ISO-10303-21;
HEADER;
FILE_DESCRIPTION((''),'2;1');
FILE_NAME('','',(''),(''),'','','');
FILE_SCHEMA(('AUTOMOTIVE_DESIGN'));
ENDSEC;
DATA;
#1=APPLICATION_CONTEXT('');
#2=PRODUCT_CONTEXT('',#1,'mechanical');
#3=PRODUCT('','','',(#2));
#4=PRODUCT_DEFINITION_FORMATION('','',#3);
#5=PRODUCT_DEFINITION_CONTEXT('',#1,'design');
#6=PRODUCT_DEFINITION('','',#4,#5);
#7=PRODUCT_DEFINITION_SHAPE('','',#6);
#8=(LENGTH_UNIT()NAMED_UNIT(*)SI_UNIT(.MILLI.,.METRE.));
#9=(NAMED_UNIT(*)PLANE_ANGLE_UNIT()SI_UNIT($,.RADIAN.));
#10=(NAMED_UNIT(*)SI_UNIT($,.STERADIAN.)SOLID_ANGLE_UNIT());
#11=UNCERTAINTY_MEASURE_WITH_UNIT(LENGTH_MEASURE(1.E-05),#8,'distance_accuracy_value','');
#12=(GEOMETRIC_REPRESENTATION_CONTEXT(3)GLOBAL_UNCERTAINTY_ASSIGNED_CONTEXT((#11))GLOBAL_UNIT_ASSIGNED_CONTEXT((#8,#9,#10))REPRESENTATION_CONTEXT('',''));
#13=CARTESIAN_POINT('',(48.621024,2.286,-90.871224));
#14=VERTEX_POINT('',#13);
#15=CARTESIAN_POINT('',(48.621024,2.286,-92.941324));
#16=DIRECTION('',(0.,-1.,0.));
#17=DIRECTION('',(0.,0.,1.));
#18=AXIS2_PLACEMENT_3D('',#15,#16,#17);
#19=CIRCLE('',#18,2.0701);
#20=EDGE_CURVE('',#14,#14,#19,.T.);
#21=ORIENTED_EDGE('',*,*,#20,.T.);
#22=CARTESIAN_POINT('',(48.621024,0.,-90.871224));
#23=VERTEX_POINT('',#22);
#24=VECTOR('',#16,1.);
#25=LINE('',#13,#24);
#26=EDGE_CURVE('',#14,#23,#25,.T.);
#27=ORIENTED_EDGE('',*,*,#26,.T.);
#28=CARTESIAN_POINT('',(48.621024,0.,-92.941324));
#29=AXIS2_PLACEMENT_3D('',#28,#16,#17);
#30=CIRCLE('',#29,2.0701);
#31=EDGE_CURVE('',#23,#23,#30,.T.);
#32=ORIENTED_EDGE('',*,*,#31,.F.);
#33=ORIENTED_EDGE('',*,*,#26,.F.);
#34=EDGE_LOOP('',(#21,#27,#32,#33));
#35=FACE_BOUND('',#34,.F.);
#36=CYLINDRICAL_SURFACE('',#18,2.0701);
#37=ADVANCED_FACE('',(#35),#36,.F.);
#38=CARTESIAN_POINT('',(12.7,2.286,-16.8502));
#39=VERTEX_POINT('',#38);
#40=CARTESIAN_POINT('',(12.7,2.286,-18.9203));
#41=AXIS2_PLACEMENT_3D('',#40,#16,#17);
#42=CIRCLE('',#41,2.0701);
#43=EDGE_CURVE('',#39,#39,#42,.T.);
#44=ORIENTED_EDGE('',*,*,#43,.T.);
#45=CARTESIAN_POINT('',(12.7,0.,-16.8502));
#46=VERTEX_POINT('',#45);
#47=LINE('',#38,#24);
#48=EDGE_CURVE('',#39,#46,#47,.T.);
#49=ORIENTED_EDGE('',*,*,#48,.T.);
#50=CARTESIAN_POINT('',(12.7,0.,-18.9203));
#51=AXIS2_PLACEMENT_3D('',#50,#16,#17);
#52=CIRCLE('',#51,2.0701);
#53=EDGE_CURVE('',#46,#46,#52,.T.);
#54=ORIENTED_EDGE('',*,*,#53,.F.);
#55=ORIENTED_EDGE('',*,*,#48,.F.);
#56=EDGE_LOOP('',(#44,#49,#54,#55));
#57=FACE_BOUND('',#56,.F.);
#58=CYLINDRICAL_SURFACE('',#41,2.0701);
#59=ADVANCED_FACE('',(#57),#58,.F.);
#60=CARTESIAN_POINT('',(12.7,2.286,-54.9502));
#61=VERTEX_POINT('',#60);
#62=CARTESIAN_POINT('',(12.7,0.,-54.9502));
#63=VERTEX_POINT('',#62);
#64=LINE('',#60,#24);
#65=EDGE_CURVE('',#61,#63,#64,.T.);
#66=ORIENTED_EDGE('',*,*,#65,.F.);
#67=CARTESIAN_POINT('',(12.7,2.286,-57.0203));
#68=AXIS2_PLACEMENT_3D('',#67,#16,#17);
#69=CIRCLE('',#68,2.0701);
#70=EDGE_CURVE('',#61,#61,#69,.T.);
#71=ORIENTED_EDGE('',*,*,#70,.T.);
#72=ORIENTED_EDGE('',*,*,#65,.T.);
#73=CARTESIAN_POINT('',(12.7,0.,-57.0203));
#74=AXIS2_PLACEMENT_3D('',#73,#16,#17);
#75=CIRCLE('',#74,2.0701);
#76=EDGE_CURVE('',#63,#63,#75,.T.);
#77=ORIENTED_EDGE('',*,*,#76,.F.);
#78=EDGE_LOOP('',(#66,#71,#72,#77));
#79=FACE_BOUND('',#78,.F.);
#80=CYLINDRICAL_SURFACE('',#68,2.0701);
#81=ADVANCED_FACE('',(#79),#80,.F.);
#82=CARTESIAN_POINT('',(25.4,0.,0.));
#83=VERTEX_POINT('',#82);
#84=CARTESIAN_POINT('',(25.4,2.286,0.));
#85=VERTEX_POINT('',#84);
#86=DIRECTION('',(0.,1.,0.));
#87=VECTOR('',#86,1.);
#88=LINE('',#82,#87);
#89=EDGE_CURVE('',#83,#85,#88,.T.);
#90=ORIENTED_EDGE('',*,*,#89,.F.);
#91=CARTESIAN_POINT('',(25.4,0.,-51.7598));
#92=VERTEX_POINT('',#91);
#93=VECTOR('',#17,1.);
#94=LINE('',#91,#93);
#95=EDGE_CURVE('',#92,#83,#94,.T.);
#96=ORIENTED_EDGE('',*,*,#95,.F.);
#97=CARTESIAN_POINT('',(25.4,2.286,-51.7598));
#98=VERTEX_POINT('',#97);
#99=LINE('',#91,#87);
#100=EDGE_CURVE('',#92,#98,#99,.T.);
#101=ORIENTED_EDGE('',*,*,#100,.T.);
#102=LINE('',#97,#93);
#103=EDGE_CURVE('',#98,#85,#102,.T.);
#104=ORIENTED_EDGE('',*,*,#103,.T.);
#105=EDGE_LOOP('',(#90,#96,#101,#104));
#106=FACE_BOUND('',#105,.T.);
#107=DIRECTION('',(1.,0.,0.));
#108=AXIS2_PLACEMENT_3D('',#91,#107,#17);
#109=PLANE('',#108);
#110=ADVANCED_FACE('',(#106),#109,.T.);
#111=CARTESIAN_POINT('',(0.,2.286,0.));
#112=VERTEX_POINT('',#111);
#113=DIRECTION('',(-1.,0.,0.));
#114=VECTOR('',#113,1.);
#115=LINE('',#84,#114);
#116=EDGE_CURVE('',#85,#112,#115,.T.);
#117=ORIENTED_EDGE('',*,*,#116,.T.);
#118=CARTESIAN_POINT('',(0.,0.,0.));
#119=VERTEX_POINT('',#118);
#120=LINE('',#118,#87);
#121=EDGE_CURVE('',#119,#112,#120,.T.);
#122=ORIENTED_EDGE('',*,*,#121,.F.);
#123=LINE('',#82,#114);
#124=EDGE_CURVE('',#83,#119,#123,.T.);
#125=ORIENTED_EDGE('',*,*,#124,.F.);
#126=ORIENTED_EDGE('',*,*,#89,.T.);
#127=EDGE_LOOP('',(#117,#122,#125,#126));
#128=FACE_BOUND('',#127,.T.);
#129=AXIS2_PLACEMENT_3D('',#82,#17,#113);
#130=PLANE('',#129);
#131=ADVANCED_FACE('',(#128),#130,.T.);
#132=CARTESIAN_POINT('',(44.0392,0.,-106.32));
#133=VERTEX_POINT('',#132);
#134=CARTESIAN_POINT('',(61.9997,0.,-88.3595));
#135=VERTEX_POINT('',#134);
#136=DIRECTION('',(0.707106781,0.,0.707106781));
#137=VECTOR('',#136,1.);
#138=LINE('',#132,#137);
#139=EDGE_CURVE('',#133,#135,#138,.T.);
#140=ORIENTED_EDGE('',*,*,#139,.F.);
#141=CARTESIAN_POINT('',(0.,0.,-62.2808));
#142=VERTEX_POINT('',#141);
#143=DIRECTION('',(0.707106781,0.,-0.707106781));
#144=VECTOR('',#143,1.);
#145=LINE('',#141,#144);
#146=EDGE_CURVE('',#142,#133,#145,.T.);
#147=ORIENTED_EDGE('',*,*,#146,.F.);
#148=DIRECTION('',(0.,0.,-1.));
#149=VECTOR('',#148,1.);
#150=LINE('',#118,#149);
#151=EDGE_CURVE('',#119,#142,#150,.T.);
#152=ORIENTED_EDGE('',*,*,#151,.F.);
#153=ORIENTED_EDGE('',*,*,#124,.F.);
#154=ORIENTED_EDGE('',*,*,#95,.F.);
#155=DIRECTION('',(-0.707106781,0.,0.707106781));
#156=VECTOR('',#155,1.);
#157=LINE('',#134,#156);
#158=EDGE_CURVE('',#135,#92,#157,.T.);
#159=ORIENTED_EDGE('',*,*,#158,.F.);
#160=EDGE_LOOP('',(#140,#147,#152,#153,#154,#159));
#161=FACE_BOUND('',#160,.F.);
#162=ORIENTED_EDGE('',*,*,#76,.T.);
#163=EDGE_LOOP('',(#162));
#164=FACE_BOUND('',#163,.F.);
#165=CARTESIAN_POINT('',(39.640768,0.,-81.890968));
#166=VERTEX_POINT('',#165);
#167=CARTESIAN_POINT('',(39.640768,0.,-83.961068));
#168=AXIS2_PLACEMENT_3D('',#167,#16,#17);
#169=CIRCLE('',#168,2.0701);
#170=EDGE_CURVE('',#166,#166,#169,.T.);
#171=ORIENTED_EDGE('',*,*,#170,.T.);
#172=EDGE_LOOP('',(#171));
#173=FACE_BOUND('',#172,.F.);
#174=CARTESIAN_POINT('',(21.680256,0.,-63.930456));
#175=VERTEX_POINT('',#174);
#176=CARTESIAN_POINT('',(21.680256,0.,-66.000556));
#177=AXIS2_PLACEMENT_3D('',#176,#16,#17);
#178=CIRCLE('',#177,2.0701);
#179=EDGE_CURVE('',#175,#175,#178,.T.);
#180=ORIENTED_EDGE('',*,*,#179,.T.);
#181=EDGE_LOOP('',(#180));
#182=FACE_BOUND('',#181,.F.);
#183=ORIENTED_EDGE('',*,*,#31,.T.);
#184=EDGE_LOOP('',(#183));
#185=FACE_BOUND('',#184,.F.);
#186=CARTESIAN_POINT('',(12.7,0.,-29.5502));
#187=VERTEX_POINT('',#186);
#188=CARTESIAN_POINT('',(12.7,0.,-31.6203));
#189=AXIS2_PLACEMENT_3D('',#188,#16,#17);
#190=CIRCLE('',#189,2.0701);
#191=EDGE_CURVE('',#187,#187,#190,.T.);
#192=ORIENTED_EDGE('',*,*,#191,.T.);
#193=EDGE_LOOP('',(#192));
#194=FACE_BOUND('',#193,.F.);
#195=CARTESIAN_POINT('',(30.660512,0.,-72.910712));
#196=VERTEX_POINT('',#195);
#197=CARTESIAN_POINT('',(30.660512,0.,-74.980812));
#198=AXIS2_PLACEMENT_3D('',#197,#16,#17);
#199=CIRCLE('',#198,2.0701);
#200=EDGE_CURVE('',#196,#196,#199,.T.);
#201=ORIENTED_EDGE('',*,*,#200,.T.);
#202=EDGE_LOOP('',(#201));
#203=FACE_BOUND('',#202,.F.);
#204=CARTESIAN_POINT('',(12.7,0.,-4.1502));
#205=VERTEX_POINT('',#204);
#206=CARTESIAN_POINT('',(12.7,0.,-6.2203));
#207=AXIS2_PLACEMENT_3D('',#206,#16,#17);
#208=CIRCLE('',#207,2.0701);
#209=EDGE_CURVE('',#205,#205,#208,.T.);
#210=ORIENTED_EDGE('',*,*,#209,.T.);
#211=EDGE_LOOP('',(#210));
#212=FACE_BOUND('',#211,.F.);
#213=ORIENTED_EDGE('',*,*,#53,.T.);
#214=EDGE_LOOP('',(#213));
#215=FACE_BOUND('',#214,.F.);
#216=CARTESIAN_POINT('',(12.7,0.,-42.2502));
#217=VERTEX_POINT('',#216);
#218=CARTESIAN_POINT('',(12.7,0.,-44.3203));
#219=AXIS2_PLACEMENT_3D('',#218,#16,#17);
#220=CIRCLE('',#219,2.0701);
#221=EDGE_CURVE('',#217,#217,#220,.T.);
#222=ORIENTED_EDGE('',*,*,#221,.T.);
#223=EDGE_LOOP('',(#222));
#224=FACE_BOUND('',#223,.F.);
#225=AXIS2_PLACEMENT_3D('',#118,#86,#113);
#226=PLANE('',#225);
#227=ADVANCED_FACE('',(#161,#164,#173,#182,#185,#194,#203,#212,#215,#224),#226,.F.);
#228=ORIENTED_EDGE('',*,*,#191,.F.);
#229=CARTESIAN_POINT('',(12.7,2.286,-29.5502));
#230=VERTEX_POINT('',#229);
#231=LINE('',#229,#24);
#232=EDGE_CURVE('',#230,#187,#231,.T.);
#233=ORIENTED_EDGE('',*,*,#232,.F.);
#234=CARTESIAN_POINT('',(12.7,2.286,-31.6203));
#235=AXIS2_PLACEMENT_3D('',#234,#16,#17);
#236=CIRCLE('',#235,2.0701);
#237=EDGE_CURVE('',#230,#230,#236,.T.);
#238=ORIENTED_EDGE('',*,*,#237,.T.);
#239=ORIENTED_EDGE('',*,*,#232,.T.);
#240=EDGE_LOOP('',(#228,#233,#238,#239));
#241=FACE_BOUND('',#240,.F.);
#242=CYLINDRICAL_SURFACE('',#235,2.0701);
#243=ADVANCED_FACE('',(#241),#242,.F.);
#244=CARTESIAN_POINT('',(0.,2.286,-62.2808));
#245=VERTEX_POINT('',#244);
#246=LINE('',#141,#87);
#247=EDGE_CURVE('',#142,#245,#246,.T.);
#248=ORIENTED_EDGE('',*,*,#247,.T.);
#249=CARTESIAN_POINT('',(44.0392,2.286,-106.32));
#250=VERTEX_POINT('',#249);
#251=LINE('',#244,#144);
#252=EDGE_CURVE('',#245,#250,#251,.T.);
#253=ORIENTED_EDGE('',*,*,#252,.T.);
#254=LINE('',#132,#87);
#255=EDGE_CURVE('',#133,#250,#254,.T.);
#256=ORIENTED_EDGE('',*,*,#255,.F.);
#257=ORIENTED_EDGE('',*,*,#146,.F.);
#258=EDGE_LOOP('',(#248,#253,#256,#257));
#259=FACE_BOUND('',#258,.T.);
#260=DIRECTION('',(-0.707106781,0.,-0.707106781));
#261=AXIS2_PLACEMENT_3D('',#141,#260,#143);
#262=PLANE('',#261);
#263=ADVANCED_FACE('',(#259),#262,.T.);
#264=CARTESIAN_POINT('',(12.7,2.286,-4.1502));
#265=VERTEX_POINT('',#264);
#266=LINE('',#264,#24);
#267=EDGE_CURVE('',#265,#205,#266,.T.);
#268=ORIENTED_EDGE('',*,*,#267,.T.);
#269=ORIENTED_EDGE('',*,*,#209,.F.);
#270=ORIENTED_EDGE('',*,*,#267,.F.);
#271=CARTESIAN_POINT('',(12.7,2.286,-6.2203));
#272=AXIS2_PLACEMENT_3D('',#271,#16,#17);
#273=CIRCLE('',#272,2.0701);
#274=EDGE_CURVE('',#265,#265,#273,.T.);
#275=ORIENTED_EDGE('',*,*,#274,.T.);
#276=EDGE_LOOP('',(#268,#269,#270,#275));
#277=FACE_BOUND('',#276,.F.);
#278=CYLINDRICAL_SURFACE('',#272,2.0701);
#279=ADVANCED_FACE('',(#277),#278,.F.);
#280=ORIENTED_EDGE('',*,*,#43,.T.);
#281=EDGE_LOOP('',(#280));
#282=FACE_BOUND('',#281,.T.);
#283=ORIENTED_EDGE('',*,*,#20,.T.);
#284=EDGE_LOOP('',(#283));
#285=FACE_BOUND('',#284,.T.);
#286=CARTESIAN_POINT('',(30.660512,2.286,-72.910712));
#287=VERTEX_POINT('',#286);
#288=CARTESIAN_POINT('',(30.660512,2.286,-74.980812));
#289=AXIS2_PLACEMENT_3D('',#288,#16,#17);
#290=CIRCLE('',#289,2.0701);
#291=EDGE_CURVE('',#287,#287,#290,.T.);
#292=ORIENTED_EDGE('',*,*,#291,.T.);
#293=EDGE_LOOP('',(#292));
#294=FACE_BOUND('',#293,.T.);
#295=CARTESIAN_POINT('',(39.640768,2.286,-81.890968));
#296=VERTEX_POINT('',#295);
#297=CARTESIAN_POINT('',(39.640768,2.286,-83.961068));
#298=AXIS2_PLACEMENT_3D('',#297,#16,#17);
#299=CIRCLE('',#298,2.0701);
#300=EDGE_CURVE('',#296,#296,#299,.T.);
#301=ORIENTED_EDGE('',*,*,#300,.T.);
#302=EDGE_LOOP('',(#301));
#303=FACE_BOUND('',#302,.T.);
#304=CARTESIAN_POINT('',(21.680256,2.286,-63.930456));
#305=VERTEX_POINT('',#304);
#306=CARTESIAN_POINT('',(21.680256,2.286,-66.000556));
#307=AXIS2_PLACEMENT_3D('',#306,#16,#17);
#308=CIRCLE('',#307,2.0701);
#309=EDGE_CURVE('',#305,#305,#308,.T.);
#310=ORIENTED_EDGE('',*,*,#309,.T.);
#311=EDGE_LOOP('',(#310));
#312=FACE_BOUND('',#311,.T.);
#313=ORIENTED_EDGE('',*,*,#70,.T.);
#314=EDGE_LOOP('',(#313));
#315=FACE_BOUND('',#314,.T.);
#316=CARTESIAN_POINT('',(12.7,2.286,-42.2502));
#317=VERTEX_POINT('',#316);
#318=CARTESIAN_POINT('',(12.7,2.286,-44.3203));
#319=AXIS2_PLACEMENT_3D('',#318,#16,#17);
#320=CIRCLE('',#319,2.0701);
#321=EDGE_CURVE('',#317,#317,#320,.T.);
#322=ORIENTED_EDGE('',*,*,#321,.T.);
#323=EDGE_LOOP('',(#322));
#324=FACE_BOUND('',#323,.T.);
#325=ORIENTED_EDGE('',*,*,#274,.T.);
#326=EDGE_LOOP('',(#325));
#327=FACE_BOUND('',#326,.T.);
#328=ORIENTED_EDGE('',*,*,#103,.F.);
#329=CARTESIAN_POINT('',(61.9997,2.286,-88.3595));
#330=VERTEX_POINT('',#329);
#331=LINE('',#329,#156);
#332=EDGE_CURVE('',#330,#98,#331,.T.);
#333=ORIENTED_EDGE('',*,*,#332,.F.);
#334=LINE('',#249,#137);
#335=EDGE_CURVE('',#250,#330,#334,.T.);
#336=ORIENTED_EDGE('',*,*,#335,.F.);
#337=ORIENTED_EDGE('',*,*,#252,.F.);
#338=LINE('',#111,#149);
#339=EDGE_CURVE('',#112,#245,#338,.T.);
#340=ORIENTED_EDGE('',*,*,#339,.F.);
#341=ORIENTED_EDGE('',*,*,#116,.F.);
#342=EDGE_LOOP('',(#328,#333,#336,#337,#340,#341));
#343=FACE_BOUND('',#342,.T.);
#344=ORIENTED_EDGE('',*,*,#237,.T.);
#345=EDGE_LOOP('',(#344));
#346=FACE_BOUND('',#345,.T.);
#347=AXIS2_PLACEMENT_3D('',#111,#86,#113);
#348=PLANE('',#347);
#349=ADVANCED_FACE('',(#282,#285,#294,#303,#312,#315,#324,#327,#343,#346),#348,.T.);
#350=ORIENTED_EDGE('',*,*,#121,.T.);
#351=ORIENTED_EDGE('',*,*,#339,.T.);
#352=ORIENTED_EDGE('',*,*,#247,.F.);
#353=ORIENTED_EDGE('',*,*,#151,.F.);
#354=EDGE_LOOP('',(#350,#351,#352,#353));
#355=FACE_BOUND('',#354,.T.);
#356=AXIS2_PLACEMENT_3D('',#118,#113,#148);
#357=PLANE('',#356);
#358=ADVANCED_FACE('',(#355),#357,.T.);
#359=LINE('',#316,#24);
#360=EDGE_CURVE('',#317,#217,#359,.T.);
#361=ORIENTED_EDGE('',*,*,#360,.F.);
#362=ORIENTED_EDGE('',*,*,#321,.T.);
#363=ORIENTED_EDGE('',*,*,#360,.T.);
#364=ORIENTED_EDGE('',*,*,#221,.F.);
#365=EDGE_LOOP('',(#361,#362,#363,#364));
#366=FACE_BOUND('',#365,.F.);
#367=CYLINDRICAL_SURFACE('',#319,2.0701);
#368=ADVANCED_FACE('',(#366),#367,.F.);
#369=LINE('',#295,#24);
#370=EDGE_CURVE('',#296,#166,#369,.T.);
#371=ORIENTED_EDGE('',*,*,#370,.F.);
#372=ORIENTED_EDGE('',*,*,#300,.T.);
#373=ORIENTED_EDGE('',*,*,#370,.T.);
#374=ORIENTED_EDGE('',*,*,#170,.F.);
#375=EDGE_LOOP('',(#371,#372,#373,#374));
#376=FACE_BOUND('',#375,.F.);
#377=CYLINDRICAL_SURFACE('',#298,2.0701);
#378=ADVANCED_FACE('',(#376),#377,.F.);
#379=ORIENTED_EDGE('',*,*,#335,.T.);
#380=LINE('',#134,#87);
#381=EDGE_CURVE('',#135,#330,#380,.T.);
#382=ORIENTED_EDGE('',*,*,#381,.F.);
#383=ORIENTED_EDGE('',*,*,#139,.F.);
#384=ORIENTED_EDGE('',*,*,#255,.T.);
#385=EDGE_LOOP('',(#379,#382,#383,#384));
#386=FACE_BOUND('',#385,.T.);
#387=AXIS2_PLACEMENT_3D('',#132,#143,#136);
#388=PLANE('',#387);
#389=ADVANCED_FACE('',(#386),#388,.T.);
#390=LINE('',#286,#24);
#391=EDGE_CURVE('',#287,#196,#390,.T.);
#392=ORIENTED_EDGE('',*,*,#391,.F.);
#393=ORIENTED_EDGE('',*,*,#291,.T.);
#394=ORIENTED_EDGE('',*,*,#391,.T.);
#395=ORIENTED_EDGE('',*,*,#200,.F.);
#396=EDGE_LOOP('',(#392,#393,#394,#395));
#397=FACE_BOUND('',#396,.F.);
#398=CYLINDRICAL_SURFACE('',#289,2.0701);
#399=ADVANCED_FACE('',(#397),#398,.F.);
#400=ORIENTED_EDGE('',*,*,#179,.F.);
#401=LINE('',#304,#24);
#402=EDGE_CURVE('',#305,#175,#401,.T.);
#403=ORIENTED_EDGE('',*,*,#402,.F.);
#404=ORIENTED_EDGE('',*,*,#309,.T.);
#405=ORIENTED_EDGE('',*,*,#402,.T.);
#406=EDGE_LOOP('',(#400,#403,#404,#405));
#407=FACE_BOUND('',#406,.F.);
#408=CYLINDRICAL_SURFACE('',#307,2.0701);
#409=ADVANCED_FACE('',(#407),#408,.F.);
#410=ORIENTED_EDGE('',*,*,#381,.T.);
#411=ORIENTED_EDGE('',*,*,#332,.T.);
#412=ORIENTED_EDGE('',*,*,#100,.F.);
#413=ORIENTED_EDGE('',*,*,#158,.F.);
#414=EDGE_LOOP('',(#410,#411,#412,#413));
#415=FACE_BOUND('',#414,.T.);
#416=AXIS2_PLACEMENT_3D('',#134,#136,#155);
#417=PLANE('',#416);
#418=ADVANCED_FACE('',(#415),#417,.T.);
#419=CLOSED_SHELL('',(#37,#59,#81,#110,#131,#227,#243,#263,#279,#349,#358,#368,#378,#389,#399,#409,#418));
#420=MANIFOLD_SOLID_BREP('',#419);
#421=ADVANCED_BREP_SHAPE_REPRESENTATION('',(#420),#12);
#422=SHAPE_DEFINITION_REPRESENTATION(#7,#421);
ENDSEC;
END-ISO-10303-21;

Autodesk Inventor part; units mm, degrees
ref_plane "YZ Plane" through (0, 0, 0) normal (1, 0, 0) x (0, 1, 0)
ref_plane "XZ Plane" through (0, 0, 0) normal (0, 1, 0) x (-1, 0, 0)
ref_plane "XY Plane" through (0, 0, 0) normal (0, 0, 1) x (1, 0, 0)
sketch "Sketch1" plane through (0, 0, 0) normal (0, 1, 0) x (-1, 0, 0)
  line L0 (0, 0) -> (0, -62.2808)
  line L1 (0, -62.2808) -> (-44.0392, -106.32)
  line L2 (-44.0392, -106.32) -> (-61.9997, -88.3595)
  line L3 (-61.9997, -88.3595) -> (-25.4, -51.7598)
  line L4 (-25.4, -51.7598) -> (-25.4, 0)
  line L5 (-25.4, 0) -> (0, 0)
  line L6 (0, -62.2808) -> (-25.4, -51.7598) construction
  dimension "d0" = 62.2808
  dimension "d1" = 25.4
  dimension "d2" = 135
extrude "Extrusion1" add sketch "Sketch1" along normal blind 2.286
sketch "Sketch2" plane through (0, 2.286, 0) normal (0, 1, 0) x (1, 0, 0)
  line L0 (44.0392, 106.32) -> (0, 62.2808) projected
  line L1 (25.4, 0) -> (25.4, 51.7598) projected
  line L2 (0, 62.2808) -> (25.4, 51.7598) construction
  point P0 (0, 0)
  point P1 (12.7, 57.0203)
  dimension "d5" = 12.7
hole "Hole1" at (12.7, 2.286, -57.0203) direction (0, -1, 0) diameter 4.1402 end through all
pattern_linear "Rectangular Pattern1" count 5 spacing 12.7 along (0, 0, 1) of "Hole1"
pattern_linear "Rectangular Pattern2" count 5 spacing 12.7 along (0.7071, 0, -0.7071) of "Hole1"
properties part number "135 Gusset"
